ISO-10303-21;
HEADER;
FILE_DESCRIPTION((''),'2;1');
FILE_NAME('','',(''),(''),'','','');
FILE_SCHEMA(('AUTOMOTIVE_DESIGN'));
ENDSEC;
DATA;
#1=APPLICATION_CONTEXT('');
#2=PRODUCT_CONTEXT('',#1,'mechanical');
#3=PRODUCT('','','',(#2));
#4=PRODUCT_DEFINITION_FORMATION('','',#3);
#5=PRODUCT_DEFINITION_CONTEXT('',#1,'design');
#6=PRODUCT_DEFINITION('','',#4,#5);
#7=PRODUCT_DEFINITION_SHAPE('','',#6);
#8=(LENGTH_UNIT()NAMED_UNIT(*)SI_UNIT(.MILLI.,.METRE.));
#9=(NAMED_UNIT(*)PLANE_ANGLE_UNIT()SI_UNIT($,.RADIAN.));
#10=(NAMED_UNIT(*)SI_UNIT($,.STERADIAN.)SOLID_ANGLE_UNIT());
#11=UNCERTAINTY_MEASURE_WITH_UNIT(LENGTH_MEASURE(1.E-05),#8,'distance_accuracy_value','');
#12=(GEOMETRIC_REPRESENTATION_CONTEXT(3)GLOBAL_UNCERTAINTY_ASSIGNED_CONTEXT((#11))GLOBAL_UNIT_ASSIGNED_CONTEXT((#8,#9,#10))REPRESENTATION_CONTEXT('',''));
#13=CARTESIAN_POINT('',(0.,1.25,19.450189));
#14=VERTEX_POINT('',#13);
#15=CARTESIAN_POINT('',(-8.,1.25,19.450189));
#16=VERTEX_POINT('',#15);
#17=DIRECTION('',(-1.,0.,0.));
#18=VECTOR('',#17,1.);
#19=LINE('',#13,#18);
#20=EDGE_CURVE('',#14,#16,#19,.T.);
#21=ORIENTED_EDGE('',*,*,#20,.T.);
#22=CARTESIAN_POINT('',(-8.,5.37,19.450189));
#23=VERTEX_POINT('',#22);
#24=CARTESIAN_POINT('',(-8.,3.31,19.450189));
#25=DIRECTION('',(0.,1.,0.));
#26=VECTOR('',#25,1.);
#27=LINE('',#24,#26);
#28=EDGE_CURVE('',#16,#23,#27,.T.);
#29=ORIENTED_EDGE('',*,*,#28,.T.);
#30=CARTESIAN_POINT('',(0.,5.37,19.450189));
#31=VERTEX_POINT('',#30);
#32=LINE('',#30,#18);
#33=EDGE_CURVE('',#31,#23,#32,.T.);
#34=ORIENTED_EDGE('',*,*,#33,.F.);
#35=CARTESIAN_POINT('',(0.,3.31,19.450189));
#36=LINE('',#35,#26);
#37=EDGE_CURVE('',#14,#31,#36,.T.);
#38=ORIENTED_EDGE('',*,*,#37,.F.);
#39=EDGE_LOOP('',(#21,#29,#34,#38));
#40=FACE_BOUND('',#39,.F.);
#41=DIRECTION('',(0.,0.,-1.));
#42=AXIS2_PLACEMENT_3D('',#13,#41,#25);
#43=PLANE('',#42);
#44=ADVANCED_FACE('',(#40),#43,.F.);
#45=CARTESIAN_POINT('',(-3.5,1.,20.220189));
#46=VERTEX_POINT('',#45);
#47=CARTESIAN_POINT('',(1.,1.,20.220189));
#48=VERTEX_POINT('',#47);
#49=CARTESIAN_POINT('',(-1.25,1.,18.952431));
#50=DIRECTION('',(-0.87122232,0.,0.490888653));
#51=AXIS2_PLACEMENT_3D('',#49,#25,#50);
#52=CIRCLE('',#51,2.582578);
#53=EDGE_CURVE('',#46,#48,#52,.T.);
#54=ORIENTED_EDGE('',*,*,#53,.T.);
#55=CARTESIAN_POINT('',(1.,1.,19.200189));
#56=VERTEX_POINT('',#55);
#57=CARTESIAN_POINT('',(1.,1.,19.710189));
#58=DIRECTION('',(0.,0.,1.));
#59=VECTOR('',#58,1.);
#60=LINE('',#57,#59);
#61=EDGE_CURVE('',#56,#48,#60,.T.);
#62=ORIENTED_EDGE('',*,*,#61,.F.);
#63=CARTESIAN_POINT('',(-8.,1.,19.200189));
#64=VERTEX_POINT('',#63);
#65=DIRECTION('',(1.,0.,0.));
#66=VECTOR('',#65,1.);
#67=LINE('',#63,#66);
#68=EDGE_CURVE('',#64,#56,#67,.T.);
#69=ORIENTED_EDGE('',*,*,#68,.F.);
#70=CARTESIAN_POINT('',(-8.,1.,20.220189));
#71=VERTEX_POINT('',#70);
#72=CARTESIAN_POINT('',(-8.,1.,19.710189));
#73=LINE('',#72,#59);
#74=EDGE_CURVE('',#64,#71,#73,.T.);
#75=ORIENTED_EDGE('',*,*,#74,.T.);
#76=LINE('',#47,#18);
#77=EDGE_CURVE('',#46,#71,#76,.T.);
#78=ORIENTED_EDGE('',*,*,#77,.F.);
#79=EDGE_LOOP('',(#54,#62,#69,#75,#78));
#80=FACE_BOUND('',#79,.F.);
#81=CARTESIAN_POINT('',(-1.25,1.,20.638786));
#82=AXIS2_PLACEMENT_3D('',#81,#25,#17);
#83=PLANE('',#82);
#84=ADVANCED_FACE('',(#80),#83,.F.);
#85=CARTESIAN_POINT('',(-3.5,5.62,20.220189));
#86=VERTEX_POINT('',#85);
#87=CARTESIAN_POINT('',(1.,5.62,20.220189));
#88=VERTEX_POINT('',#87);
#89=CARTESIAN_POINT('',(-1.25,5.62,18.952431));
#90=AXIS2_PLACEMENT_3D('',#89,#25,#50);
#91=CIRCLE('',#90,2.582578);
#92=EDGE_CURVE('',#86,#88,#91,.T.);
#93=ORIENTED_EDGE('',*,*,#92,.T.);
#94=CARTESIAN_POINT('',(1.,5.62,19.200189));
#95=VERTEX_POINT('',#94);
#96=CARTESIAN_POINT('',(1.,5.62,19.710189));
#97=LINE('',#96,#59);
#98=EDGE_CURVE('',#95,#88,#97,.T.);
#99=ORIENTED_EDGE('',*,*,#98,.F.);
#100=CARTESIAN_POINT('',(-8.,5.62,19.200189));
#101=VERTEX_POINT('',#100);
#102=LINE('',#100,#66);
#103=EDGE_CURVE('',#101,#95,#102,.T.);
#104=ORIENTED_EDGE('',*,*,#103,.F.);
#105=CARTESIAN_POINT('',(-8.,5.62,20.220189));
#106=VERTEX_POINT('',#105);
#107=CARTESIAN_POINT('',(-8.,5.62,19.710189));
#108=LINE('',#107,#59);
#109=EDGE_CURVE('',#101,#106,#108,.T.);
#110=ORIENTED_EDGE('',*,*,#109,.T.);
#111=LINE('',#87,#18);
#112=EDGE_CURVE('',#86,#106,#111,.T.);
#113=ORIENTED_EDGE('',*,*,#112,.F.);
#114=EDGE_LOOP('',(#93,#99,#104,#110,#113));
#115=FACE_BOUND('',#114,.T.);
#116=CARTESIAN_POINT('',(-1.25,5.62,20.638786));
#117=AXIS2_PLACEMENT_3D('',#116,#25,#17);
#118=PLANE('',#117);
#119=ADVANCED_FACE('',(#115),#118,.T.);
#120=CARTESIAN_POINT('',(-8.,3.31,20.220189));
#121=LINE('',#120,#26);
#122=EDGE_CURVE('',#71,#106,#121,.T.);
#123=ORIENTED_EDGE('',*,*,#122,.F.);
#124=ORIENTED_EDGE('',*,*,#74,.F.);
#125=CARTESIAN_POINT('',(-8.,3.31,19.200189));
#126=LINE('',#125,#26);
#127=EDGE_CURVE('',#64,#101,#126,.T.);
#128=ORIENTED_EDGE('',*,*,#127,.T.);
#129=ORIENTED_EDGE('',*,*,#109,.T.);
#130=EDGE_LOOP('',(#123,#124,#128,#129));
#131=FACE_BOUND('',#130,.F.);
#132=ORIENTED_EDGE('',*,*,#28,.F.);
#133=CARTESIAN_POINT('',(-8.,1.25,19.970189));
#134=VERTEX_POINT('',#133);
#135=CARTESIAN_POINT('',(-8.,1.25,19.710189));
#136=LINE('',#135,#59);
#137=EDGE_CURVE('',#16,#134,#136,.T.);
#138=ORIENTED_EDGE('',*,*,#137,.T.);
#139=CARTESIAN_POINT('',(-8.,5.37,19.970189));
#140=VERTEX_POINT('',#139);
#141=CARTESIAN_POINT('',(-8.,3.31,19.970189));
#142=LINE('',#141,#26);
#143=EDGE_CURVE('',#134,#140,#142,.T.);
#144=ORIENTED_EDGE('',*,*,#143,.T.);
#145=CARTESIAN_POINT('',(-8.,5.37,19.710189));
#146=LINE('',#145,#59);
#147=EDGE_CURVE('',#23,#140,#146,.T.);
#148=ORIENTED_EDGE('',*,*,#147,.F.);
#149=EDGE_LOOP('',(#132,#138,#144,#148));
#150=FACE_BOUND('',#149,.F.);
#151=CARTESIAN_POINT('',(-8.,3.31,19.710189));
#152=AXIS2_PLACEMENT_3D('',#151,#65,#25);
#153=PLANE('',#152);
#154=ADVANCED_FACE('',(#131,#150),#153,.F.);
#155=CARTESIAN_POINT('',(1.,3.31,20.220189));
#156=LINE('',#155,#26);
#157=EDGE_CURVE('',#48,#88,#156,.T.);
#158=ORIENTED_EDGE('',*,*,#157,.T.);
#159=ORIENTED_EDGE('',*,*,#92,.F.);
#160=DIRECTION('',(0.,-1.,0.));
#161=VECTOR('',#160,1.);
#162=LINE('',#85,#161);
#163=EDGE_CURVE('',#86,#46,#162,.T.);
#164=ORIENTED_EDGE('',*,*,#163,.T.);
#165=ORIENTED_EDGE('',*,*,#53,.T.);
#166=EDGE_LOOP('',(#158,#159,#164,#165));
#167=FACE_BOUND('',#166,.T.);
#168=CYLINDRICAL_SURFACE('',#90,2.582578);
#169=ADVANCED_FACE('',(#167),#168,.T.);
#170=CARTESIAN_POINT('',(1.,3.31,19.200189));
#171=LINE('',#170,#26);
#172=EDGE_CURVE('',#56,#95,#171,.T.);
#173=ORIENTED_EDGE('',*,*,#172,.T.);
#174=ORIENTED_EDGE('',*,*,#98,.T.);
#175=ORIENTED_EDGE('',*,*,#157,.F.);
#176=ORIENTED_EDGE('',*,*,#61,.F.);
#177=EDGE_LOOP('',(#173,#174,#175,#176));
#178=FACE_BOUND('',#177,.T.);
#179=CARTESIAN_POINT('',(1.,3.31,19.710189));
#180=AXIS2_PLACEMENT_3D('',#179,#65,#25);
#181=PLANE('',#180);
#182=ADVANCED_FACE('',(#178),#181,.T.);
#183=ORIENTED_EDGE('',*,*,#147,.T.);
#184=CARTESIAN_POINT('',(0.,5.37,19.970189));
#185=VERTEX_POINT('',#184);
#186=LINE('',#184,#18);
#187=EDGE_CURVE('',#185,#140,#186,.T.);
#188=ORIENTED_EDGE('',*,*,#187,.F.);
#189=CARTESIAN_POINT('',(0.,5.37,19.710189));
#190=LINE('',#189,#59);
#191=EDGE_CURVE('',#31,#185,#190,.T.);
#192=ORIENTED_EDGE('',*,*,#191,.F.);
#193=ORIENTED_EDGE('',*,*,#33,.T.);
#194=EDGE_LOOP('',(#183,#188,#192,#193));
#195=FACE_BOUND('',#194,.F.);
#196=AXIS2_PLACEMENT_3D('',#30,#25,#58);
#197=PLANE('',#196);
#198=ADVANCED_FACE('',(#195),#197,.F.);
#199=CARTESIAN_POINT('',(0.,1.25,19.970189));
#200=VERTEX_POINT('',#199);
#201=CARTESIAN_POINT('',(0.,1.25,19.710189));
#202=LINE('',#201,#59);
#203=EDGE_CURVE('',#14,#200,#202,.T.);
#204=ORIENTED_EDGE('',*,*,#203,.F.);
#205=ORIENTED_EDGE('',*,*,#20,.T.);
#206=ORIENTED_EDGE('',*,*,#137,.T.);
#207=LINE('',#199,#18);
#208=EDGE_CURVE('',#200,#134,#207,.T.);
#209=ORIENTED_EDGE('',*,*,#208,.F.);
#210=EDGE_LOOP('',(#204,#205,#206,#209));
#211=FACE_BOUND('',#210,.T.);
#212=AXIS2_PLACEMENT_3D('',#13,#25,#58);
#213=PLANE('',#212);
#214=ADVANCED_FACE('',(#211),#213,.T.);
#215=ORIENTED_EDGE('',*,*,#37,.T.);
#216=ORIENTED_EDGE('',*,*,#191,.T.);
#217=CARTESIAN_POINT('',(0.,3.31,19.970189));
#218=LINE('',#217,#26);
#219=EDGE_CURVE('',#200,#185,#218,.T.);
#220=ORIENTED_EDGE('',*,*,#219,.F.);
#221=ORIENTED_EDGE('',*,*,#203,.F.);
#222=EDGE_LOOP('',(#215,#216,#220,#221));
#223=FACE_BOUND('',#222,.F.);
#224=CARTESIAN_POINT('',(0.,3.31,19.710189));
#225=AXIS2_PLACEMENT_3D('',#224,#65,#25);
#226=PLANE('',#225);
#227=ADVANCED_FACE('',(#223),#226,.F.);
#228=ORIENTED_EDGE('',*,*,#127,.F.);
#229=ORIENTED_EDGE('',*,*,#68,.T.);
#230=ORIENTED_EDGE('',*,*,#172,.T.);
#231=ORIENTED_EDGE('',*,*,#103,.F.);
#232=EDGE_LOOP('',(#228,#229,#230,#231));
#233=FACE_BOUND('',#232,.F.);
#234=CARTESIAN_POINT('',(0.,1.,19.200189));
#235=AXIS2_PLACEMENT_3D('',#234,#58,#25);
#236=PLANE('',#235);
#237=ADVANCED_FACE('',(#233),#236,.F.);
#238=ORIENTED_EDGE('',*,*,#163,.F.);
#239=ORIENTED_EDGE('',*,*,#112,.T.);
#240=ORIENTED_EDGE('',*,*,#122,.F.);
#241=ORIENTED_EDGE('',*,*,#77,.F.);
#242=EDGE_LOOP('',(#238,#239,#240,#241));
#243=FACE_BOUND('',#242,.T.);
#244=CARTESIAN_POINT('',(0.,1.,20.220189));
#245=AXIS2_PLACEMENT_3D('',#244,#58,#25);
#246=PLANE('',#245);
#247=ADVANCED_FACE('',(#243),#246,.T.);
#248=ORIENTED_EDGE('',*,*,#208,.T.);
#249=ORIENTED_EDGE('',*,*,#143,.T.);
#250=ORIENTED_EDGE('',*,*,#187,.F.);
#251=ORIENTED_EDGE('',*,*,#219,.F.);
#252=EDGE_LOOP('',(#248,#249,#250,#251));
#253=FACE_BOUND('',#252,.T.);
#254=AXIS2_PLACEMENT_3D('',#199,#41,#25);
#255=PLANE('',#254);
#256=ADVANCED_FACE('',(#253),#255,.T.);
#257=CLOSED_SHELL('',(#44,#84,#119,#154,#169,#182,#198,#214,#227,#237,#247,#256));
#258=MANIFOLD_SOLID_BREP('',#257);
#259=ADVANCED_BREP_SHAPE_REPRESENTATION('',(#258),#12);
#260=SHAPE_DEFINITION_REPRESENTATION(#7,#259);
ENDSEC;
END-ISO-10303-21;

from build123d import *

# Parameters (mm, degrees)
F0_W     = 4.62
F0_H     = 1.02
F0_W_2   = 4.12
F0_H_2   = 0.52
F1_DEPTH = 8
F2_W     = 4.62
F2_H     = 1.02
F3_DEPTH = 1
F5_DEPTH = 4.62


with BuildPart() as f1:
    # F0 (on Right) → F1 (new body)
    with BuildSketch(Plane.YZ):
        with Locations((3.31, 19.710189)):
            Rectangle(F0_W, F0_H)
        with Locations((3.31, 19.710189)):
            Rectangle(F0_W_2, F0_H_2, mode=Mode.SUBTRACT)
    extrude(amount=-F1_DEPTH)

    # F2 (on face) → F3 (join)
    with BuildSketch(Plane.YZ):
        with Locations((3.31, 19.710189)):
            Rectangle(F2_W, F2_H)
    extrude(amount=F3_DEPTH)

    # F4 (on face) → F5 (join)
    with BuildSketch(Plane(origin=(0, 5.62, 0), x_dir=(-1, 0, 0), z_dir=(0, 1, 0))):
        with BuildLine():
            Line((-1, 20.220189), (3.5, 20.220189))
            ThreePointArc((3.5, 20.220189), (1.25, 21.535009), (-1, 20.220189))
        make_face()
    extrude(amount=-F5_DEPTH)


solid = f1.part
